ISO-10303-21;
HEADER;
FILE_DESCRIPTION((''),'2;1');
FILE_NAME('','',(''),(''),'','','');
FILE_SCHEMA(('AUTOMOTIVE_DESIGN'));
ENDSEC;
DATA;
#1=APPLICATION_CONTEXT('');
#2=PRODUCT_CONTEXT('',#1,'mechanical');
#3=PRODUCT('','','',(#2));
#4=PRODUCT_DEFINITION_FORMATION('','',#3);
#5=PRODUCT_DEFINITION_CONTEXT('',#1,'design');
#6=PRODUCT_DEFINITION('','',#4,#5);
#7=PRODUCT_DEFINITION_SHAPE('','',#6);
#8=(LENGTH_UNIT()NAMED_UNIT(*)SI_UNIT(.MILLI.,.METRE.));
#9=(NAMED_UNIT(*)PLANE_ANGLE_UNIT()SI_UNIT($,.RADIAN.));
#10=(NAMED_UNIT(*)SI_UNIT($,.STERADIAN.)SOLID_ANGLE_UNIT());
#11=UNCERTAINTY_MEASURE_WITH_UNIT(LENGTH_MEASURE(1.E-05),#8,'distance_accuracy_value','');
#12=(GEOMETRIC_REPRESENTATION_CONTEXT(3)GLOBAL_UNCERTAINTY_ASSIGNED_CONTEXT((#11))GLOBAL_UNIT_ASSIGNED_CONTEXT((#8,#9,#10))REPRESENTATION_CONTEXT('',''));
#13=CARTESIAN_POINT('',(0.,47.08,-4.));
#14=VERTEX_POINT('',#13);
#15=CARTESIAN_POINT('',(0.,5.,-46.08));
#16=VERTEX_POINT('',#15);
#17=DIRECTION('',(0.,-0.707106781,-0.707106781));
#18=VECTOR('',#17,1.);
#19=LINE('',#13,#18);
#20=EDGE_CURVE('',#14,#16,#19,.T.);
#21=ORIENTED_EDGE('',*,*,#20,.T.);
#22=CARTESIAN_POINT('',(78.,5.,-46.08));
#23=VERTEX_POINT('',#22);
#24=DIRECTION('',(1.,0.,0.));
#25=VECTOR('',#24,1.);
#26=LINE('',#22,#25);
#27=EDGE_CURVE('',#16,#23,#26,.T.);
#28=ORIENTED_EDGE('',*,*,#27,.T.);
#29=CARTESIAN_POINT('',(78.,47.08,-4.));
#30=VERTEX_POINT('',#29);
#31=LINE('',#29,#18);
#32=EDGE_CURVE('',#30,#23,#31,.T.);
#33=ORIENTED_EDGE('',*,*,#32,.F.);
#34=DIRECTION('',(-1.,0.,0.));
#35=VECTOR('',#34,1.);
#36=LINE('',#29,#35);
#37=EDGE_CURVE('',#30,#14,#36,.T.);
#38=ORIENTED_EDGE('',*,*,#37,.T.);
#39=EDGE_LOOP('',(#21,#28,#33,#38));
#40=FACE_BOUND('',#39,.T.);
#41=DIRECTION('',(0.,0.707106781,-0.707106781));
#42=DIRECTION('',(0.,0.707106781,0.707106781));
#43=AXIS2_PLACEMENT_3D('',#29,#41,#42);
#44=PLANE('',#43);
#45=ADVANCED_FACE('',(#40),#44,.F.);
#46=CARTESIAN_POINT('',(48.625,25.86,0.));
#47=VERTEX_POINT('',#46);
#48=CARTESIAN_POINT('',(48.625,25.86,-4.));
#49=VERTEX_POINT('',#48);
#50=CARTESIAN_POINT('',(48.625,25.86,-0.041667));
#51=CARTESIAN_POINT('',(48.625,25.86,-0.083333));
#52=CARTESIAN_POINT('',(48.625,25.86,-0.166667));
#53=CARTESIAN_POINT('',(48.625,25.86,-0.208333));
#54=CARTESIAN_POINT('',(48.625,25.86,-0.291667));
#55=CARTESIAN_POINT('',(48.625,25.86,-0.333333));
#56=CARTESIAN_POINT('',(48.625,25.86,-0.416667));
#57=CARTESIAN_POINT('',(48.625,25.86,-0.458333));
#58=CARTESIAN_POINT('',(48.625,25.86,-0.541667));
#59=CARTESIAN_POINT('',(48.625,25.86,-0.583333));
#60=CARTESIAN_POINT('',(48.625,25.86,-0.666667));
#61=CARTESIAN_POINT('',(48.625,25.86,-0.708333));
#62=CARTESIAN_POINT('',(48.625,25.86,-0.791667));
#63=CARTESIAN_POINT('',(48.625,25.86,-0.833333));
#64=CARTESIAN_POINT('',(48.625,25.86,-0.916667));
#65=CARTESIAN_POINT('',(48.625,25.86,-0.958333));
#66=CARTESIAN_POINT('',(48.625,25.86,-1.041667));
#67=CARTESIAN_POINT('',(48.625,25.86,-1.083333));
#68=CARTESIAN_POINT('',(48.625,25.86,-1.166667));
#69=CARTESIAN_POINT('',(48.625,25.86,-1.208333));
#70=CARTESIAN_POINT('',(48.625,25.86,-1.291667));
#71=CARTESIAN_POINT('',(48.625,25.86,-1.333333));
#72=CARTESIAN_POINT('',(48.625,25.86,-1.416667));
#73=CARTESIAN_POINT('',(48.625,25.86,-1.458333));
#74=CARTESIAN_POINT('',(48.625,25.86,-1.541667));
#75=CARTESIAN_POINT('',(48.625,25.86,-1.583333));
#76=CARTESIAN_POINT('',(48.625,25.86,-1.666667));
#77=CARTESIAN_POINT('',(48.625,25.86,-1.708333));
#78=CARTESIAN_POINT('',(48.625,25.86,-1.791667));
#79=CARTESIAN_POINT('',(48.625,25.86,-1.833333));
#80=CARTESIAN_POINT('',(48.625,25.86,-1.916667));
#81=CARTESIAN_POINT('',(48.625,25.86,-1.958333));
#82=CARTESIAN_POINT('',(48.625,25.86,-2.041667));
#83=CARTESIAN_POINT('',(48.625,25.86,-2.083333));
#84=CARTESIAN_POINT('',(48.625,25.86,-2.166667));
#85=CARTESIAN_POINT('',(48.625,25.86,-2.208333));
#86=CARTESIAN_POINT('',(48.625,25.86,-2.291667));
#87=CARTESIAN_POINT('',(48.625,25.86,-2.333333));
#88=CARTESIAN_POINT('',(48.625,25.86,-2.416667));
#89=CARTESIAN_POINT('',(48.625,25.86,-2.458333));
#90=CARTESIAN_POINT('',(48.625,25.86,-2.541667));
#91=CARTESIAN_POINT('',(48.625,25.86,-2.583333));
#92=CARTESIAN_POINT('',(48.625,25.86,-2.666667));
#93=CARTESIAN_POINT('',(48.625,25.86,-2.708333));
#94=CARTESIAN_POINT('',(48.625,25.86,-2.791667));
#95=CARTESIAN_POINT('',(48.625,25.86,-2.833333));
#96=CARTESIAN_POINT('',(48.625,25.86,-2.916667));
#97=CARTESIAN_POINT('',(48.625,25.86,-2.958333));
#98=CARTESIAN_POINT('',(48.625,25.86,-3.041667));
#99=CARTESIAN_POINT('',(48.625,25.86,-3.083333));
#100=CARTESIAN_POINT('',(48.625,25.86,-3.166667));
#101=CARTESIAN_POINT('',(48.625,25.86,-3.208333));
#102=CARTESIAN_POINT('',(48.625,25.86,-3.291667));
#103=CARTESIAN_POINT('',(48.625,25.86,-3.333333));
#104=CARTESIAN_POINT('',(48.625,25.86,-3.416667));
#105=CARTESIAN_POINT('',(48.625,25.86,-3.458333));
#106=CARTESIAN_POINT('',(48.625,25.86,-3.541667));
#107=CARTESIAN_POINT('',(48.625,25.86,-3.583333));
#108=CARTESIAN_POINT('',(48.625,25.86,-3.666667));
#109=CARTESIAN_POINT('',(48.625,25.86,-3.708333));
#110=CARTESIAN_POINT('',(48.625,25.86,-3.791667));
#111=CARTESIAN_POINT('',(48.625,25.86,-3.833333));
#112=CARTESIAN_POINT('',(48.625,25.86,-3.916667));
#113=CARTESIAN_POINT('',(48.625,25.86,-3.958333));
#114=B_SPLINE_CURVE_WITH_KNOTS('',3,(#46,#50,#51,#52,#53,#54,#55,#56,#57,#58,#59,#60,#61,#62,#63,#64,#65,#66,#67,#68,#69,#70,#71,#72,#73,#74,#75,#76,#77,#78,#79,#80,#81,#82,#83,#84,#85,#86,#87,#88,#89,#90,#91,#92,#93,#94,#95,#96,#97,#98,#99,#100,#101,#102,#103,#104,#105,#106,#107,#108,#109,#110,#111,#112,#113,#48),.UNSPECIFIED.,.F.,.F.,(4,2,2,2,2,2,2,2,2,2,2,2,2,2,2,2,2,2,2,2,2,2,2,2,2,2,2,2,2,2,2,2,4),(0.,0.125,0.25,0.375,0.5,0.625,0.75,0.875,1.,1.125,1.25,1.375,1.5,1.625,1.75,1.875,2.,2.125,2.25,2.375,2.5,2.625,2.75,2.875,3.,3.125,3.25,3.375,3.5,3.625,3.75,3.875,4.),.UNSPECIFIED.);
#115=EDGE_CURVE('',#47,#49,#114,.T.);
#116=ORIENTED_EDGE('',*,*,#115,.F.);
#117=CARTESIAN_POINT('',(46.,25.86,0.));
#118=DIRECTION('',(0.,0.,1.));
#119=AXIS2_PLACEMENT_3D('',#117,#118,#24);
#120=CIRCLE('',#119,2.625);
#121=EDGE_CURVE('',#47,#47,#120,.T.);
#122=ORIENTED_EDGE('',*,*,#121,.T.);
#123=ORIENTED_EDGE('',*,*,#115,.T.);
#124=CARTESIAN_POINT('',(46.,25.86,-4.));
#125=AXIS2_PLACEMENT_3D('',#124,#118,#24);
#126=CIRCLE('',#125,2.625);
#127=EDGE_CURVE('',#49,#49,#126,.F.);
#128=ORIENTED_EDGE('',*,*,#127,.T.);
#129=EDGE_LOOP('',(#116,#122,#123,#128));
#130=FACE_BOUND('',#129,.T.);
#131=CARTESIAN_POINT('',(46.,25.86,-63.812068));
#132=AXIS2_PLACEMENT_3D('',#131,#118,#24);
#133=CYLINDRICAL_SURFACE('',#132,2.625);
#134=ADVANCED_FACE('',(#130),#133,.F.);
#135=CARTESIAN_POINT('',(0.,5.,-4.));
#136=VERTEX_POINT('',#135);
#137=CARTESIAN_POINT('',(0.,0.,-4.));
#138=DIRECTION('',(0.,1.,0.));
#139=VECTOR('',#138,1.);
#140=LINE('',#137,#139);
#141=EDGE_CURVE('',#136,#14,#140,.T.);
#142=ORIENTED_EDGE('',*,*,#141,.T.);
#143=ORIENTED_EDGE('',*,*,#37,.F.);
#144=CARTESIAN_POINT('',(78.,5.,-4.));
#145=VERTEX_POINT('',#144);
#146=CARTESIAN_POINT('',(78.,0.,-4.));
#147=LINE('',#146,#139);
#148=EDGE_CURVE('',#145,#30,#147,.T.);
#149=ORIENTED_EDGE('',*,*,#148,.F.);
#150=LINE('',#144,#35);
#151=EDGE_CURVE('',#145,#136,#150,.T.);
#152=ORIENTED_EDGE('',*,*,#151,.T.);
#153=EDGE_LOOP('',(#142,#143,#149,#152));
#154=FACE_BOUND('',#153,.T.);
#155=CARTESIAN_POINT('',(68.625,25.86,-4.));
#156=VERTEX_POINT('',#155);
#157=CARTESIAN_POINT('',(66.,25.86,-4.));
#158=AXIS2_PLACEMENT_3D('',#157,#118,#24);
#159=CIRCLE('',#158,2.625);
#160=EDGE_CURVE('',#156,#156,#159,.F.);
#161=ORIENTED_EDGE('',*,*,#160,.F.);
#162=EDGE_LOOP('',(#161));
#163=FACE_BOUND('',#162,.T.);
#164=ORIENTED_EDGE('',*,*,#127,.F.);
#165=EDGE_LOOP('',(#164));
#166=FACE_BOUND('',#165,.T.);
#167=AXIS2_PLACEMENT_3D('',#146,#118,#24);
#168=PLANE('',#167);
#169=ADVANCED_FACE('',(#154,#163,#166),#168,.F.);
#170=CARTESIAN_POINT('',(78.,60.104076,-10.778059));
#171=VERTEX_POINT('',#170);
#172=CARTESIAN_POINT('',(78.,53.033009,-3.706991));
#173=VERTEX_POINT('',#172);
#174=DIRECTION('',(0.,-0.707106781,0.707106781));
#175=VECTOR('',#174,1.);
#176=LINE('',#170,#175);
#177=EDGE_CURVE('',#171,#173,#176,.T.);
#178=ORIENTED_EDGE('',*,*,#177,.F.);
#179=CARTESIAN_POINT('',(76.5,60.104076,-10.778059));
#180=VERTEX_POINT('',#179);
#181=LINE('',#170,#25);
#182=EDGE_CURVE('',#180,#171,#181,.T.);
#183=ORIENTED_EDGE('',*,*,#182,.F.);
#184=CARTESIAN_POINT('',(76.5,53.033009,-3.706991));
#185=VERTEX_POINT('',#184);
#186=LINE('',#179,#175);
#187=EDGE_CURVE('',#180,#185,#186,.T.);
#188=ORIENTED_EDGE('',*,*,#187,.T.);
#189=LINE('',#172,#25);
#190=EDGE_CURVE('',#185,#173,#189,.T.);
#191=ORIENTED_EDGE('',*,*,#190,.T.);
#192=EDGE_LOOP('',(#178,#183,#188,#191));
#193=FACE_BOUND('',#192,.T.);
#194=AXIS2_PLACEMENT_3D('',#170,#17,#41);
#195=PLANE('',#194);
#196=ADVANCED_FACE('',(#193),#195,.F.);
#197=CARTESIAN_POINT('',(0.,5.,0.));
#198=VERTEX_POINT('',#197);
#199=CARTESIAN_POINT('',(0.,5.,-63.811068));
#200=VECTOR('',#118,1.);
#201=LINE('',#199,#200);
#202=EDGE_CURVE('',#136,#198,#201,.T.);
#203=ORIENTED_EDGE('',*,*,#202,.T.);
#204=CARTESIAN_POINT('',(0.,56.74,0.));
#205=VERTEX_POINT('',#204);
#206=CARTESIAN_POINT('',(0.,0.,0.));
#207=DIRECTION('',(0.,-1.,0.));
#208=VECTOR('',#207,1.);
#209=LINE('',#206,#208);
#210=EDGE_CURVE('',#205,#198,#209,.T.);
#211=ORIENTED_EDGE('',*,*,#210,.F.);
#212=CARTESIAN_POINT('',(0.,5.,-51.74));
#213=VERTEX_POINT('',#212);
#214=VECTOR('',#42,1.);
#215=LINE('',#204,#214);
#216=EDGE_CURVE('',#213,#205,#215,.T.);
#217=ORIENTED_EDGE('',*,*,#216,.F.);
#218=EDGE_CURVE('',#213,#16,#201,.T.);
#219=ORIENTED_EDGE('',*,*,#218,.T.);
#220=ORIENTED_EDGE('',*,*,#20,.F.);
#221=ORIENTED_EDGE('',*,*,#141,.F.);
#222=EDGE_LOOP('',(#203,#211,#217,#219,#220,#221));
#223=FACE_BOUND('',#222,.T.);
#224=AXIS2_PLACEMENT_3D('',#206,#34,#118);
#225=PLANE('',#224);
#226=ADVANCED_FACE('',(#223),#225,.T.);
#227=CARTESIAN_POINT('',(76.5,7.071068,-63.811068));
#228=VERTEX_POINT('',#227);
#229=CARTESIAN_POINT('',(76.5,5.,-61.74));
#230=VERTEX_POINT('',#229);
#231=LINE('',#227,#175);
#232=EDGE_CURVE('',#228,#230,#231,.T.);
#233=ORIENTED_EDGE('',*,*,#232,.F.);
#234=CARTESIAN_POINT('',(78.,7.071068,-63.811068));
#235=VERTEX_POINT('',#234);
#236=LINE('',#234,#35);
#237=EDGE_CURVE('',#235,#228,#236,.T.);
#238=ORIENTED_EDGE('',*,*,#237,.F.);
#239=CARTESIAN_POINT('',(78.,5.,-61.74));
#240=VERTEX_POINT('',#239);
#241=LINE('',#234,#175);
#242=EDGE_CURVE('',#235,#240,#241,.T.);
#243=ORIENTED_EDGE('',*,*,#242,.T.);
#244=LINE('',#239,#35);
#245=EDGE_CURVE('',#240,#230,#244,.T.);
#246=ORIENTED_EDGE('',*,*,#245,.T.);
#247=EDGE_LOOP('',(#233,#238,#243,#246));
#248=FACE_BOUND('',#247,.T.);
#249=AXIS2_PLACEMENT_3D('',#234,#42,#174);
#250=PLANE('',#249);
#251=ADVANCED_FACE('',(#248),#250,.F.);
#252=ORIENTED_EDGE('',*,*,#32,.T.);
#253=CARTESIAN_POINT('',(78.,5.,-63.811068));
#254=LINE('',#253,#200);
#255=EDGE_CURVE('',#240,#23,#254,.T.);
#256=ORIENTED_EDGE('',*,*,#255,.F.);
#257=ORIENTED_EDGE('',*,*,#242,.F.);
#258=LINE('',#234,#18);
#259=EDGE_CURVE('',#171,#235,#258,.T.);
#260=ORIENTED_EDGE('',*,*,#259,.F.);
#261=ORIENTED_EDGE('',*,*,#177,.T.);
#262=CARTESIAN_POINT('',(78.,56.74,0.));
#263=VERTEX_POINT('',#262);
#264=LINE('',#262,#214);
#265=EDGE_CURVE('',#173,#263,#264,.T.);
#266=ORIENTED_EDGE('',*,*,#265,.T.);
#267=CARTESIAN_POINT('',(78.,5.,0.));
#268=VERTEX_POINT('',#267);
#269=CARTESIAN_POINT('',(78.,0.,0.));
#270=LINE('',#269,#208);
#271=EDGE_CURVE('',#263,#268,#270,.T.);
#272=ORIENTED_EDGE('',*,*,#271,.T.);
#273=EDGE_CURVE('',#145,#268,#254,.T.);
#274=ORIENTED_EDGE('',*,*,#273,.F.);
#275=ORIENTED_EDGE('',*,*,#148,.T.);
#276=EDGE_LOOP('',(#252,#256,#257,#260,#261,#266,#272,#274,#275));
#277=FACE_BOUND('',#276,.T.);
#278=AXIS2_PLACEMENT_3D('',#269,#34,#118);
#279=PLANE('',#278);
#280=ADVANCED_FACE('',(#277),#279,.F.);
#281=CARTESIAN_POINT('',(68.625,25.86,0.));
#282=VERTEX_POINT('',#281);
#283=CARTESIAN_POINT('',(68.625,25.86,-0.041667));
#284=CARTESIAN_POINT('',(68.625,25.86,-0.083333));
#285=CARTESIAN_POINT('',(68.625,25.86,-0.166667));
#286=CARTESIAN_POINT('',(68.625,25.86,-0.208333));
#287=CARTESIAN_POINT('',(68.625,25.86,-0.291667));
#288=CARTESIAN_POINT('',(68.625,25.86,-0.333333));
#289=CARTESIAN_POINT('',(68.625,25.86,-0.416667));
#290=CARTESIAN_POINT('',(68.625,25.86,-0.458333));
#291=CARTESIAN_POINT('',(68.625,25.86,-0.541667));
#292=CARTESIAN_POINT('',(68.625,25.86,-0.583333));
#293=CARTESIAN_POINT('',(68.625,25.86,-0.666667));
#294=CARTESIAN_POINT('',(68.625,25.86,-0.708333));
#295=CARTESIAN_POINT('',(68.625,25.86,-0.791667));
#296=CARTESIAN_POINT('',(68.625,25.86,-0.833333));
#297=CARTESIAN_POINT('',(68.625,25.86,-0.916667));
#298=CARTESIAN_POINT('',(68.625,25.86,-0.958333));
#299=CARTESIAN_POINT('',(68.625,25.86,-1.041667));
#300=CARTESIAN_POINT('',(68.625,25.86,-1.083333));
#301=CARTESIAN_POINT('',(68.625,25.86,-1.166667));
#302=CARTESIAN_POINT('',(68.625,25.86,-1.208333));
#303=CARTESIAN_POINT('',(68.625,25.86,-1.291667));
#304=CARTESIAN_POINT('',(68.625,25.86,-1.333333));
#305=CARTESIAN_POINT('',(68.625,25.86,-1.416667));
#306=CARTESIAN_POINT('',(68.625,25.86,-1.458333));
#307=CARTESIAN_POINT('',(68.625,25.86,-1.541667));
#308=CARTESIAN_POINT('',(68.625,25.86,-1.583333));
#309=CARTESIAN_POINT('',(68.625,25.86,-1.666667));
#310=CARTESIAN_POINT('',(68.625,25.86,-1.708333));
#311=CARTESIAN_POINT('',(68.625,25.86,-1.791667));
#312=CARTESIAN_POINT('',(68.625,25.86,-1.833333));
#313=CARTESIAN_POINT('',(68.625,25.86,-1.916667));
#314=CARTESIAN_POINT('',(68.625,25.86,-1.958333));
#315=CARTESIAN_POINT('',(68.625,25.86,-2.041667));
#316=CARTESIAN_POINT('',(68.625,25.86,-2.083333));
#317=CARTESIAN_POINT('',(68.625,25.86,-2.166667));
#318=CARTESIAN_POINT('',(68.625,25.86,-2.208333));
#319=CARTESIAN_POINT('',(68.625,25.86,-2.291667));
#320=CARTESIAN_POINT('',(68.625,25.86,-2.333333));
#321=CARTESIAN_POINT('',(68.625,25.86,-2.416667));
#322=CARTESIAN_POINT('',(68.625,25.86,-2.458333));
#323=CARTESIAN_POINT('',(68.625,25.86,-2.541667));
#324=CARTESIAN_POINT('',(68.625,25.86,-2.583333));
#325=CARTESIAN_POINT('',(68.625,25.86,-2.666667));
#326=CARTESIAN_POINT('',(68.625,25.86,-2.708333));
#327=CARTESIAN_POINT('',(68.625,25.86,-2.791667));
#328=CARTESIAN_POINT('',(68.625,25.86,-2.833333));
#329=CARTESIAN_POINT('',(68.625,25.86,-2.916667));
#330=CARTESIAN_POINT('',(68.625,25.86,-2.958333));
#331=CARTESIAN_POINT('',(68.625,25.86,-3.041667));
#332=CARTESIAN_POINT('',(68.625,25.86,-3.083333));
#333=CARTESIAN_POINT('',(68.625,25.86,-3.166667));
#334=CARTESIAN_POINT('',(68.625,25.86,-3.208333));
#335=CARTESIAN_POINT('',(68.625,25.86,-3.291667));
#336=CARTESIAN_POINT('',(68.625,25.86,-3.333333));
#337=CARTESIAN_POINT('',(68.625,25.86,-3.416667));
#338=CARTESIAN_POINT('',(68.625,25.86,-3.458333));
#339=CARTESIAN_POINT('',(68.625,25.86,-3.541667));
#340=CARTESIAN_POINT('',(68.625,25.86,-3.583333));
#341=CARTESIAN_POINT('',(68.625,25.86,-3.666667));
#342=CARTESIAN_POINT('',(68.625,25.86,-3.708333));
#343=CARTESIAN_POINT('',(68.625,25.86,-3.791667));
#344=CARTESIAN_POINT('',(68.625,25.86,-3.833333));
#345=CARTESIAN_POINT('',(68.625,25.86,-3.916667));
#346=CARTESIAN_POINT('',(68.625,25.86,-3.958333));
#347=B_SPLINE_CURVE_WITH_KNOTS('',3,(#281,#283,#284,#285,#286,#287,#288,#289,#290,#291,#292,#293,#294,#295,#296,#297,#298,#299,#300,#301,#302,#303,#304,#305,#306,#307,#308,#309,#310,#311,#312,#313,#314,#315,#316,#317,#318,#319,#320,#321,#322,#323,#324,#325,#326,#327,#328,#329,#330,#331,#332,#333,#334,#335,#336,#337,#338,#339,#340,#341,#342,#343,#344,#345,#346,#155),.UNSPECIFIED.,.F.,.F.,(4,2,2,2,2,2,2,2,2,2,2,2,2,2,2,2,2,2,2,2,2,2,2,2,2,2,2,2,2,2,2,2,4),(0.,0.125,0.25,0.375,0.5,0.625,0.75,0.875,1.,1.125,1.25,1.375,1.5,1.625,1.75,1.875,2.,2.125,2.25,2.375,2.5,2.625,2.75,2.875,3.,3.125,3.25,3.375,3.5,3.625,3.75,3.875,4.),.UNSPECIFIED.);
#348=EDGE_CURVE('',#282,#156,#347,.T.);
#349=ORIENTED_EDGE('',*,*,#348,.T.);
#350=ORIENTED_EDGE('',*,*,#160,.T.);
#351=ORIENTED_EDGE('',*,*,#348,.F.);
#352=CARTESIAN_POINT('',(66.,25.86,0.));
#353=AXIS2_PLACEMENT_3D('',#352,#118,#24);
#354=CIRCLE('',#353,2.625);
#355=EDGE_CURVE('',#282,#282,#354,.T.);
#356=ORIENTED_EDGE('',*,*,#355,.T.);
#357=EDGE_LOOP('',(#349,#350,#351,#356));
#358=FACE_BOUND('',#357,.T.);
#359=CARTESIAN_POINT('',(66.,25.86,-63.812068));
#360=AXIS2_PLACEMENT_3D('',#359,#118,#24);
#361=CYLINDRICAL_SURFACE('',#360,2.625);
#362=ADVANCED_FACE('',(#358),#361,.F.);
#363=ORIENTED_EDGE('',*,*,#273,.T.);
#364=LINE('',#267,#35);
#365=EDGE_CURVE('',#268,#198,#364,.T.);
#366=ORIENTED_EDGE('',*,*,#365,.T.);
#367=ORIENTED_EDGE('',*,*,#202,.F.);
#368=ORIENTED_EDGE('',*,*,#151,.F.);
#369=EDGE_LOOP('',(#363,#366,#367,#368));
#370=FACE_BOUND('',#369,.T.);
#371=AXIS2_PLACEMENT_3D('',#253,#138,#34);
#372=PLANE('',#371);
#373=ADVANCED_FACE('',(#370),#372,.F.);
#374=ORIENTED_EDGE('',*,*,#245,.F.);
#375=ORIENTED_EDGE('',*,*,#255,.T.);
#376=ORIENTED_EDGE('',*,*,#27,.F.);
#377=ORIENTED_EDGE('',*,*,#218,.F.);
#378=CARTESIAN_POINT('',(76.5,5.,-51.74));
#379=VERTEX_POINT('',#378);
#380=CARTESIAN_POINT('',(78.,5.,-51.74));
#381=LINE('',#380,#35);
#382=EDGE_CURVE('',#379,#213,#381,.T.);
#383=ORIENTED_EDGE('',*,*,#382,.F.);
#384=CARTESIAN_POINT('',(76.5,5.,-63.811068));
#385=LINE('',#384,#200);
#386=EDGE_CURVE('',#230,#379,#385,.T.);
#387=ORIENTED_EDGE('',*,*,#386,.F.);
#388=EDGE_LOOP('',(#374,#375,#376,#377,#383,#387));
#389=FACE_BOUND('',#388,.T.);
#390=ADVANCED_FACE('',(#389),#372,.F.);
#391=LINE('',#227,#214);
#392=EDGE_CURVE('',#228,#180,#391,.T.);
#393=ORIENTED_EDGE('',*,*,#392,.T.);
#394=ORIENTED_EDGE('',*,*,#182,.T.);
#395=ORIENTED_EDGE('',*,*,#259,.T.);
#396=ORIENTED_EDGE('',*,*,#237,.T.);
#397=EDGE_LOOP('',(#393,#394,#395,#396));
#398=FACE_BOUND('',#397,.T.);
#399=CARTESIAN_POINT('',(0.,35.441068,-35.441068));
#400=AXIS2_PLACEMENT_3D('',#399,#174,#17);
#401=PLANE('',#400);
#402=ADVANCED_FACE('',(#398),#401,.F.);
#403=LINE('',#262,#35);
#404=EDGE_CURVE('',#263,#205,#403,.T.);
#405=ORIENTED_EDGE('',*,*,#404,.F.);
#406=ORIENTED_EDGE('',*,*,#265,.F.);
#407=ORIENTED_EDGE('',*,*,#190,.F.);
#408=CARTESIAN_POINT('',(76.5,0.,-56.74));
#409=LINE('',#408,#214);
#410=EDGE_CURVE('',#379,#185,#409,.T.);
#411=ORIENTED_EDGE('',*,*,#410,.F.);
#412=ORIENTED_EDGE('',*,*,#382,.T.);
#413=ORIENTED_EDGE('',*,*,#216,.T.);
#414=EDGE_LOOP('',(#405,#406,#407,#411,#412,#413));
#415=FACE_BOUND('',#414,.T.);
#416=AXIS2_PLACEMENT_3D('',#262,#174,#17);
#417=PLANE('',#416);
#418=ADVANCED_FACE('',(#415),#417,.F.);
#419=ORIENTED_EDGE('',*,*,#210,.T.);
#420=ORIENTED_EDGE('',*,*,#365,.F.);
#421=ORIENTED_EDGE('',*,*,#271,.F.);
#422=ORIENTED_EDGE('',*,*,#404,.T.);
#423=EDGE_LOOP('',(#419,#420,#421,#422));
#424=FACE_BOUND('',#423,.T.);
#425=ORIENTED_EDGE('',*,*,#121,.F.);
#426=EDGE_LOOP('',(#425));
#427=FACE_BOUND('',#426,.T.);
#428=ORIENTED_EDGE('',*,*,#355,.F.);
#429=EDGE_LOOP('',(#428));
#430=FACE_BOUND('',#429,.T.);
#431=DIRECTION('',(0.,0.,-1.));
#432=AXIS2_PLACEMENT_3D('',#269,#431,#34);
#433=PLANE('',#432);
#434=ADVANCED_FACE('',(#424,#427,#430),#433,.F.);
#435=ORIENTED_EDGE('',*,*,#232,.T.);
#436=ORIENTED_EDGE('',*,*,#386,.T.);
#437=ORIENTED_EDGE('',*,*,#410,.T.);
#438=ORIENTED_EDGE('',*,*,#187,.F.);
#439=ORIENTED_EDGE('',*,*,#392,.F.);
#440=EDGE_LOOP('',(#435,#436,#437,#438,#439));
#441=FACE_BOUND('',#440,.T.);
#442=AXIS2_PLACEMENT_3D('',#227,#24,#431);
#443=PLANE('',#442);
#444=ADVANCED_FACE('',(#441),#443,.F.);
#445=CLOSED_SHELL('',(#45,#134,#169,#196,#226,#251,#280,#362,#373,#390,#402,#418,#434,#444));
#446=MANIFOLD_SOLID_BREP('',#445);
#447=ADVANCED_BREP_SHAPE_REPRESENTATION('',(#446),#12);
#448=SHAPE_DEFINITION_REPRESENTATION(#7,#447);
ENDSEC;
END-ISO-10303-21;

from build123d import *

# Parameters (mm, degrees)
BOSS_EXTRUDE1_DEPTH = 78
SKETCH2_W           = 1.5
SKETCH2_H           = 75
BOSS_EXTRUDE2_DEPTH = 10
CUT_EXTRUDE1_REACH  = 119.339
SKETCH3_R           = 2.625
SKETCH4_W           = 78
SKETCH4_H           = 5
CUT_EXTRUDE2_DEPTH  = 118.338622692


with BuildPart() as part:
    # Sketch1 → Boss-Extrude1 (new body)
    with BuildSketch(Plane(origin=(0, 0, 0), x_dir=(0, 0, -1), z_dir=(1, 0, 0))):
        Polygon((0, 0), (0, 56.74), (56.74, 0), (51.08, 0), (4, 47.08), (4, 0), align=None)
    extrude(amount=BOSS_EXTRUDE1_DEPTH)

    # Sketch2 → Boss-Extrude2 (add)
    with BuildSketch(Plane(origin=(0, 28.37, -28.37), x_dir=(1, 0, 0), z_dir=(0, 0.7071067811865482, -0.7071067811865468))):
        with Locations((77.25, 2.621238765)):
            Rectangle(SKETCH2_W, SKETCH2_H)
    extrude(amount=BOSS_EXTRUDE2_DEPTH)

    # Sketch3 → Cut-Extrude1 (cut, up to next)
    with BuildSketch(Plane.XY, mode=Mode.PRIVATE) as cut_extrude1_sk1:
        with Locations((66, 25.86)):
            Circle(SKETCH3_R)
    cut_extrude1_tool1 = extrude(cut_extrude1_sk1.sketch, amount=-CUT_EXTRUDE1_REACH, mode=Mode.PRIVATE) & part.part
    # Sketch3 → Cut-Extrude1 (cut, up to next)
    with BuildSketch(Plane.XY, mode=Mode.PRIVATE) as cut_extrude1_sk2:
        with Locations((46, 25.86)):
            Circle(SKETCH3_R)
    cut_extrude1_tool2 = extrude(cut_extrude1_sk2.sketch, amount=-CUT_EXTRUDE1_REACH, mode=Mode.PRIVATE) & part.part
    add(cut_extrude1_tool1.solids().sort_by_distance((66, 25.86, 0))[0], mode=Mode.SUBTRACT)
    add(cut_extrude1_tool2.solids().sort_by_distance((46, 25.86, 0))[0], mode=Mode.SUBTRACT)

    # Sketch4 → Cut-Extrude2 (cut, through all)
    with BuildSketch(Plane.XY):
        with Locations((39, 2.5)):
            Rectangle(SKETCH4_W, SKETCH4_H)
    extrude(amount=-CUT_EXTRUDE2_DEPTH, mode=Mode.SUBTRACT)


solid = part.part
